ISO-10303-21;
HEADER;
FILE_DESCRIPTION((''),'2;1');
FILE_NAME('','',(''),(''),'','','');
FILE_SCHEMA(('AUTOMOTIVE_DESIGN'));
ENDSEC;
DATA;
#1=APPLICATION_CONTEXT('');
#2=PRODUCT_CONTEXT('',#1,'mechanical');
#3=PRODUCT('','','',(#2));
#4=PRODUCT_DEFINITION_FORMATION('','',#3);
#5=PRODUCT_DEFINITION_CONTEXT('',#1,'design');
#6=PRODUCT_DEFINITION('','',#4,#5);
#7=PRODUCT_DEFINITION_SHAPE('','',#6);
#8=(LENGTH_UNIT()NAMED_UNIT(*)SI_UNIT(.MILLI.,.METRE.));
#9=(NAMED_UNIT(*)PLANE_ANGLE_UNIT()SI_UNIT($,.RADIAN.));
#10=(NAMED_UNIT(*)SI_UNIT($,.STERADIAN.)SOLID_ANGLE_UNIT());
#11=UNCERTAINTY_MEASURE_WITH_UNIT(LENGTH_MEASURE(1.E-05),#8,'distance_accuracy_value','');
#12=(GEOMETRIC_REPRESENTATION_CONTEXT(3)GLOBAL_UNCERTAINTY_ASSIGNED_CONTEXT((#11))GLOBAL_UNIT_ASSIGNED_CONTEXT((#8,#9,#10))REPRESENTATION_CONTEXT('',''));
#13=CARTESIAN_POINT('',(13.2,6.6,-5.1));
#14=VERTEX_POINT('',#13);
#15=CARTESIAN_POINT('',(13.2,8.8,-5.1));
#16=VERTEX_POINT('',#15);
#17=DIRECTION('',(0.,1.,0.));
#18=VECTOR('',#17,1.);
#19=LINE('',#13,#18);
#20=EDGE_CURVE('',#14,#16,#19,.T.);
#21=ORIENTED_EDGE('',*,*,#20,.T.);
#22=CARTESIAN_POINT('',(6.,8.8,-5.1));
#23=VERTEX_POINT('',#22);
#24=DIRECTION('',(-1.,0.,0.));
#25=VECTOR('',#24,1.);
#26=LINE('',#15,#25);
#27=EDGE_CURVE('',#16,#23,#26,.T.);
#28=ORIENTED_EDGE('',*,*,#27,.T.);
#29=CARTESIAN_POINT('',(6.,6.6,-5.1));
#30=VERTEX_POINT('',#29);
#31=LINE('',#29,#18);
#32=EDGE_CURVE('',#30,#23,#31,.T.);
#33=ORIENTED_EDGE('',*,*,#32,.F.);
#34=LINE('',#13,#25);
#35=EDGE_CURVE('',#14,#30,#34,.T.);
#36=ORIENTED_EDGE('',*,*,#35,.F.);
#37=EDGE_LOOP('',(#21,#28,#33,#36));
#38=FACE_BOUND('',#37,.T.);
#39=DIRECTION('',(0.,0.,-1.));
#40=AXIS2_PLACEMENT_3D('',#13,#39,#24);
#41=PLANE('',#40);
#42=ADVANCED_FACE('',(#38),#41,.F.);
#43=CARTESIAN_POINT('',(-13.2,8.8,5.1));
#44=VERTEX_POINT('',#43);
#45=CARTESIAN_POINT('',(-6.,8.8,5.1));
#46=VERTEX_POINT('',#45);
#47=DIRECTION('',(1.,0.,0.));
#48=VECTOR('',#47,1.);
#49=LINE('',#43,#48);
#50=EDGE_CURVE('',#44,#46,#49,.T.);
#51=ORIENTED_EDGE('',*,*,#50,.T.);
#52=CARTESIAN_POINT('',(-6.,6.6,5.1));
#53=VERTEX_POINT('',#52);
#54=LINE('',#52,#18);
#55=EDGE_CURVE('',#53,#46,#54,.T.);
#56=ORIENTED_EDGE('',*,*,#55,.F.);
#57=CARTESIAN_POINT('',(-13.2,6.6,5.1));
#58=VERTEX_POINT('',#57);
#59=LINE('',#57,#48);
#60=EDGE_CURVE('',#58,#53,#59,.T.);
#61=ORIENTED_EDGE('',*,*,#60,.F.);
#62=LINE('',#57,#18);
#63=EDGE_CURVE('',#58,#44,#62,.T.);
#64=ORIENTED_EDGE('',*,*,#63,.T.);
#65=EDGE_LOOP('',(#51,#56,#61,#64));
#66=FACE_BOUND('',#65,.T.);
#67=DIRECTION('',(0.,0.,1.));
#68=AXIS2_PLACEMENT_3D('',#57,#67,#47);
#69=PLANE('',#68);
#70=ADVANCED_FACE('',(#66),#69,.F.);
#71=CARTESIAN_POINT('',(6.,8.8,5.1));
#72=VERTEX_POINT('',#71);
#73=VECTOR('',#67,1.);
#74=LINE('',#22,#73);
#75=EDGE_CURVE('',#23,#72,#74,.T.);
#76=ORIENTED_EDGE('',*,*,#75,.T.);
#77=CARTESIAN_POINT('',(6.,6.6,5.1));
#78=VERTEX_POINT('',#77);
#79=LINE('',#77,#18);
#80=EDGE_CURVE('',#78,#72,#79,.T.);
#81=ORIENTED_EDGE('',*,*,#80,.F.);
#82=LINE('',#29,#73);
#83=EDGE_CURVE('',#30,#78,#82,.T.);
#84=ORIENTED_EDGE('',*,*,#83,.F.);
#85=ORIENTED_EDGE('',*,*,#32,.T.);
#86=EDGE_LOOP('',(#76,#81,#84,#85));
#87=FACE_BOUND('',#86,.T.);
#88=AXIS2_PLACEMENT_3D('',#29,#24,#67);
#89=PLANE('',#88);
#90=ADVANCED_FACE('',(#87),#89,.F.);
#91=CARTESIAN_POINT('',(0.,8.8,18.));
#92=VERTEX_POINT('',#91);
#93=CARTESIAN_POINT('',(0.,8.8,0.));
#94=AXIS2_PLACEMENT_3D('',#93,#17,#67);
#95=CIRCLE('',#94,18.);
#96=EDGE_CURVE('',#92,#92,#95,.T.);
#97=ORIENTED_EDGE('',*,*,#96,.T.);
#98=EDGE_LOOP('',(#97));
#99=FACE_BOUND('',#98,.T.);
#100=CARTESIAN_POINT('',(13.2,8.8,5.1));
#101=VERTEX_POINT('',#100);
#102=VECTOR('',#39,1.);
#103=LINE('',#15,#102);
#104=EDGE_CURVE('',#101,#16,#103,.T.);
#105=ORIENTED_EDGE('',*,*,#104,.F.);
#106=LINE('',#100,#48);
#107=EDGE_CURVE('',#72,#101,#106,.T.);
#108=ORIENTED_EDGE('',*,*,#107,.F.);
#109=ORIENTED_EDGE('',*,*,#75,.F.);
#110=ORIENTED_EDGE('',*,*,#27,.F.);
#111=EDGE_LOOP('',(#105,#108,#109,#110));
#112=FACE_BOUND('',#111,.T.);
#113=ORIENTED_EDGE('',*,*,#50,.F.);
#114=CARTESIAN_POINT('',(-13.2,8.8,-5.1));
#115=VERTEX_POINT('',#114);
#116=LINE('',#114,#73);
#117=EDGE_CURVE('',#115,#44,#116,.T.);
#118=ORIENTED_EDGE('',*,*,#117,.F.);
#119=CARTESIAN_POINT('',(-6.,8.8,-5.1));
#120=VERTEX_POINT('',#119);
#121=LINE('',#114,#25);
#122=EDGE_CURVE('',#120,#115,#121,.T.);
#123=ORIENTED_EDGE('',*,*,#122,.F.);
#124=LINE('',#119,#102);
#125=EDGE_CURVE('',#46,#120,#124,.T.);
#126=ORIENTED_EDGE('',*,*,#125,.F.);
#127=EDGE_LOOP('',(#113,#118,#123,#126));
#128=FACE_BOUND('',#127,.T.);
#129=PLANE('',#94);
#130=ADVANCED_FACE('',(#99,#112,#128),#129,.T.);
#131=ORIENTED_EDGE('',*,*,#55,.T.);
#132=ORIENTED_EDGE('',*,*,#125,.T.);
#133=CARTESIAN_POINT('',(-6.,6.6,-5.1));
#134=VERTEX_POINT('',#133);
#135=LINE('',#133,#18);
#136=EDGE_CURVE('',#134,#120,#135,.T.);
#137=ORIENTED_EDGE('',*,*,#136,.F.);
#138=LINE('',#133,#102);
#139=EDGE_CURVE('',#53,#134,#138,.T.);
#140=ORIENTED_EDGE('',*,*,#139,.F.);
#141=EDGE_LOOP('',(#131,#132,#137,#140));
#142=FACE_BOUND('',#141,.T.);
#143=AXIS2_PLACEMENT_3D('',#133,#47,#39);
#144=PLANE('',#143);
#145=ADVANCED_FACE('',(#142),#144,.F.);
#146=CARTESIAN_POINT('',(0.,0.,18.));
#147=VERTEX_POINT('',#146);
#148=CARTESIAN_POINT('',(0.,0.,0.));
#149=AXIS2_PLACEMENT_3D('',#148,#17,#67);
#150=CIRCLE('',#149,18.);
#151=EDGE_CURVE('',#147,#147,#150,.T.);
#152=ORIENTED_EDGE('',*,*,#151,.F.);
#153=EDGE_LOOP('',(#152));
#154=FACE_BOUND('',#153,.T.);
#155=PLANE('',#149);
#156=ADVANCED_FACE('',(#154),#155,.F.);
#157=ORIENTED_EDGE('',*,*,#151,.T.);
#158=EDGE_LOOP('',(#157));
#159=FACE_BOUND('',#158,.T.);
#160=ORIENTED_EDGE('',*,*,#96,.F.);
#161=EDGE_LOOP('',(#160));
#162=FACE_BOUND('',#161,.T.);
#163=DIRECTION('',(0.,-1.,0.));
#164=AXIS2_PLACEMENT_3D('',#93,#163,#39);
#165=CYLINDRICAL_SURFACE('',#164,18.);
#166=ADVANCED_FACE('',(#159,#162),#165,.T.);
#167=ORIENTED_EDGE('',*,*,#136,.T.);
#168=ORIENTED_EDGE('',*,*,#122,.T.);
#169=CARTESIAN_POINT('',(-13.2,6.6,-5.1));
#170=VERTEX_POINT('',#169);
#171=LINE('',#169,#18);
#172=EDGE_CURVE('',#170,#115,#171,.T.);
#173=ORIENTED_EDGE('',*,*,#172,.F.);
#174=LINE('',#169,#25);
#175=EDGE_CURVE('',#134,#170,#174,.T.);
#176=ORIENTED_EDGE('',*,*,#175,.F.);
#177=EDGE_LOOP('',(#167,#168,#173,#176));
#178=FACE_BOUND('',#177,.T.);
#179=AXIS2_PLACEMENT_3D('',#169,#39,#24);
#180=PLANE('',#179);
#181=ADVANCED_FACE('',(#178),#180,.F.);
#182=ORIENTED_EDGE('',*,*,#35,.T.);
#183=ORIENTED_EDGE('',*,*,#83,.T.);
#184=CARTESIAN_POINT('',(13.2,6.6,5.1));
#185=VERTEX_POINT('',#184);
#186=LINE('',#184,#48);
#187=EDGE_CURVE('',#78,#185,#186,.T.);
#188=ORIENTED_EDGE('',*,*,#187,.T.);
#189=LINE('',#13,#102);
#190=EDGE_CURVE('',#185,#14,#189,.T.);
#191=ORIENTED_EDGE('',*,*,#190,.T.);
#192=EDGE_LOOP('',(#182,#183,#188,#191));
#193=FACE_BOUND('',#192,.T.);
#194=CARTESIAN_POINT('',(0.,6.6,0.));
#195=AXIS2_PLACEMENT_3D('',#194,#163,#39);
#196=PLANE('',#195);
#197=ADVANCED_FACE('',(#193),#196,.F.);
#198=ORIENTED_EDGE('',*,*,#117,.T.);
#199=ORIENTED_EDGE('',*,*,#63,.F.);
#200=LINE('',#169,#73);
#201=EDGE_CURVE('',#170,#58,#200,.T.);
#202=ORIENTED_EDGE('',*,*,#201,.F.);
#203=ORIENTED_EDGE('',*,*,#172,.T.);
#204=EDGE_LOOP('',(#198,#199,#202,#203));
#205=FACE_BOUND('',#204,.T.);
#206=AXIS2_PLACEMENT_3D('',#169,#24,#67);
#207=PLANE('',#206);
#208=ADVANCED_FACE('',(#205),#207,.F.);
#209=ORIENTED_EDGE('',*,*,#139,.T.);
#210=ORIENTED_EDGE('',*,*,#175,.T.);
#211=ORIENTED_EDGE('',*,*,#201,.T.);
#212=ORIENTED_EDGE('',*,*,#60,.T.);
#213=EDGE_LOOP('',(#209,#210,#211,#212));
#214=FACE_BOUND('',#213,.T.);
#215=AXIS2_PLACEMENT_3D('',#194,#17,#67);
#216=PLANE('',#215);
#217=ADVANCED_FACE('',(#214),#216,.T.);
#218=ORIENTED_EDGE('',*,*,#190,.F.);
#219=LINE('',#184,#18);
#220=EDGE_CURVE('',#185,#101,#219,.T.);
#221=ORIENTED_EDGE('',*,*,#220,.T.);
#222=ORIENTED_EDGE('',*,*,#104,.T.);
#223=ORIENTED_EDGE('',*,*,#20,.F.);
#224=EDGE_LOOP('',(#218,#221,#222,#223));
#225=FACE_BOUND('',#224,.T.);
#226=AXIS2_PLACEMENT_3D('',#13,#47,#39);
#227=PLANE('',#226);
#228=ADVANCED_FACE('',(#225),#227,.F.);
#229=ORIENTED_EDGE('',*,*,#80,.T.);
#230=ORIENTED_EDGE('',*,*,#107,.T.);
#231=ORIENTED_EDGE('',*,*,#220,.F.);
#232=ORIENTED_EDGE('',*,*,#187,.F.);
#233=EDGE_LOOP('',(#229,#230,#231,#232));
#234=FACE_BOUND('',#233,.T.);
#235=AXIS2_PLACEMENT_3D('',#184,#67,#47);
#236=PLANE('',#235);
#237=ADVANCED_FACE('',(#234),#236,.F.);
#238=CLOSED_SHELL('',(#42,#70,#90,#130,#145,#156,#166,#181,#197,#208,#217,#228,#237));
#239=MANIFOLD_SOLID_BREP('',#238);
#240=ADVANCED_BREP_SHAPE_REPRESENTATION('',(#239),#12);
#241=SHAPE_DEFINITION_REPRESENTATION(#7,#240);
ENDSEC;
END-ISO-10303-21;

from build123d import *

# Parameters (mm, degrees)
SKETCH1_R           = 18
BOSS_EXTRUDE1_DEPTH = 8.8
SKETCH2_W           = 7.2
SKETCH2_H           = 10.2
CUT_EXTRUDE1_DEPTH  = 2.2


with BuildPart() as part:
    # Sketch1 → Boss-Extrude1 (new body)
    with BuildSketch(Plane(origin=(0, 0, 0), x_dir=(1, 0, 0), z_dir=(0, 1, 0))):
        with Locations(Location((0, 0, 0), (0, 0, 270))):
            Circle(SKETCH1_R)
    extrude(amount=BOSS_EXTRUDE1_DEPTH)

    # Sketch2 → Cut-Extrude1 (cut)
    with BuildSketch(Plane(origin=(0, 8.8, 0), x_dir=(1, 0, 0), z_dir=(0, 1, 0))):
        with Locations((-9.6, 0)):
            Rectangle(SKETCH2_W, SKETCH2_H)
        with Locations((9.6, 0)):
            Rectangle(SKETCH2_W, SKETCH2_H)
    extrude(amount=-CUT_EXTRUDE1_DEPTH, mode=Mode.SUBTRACT)


solid = part.part
